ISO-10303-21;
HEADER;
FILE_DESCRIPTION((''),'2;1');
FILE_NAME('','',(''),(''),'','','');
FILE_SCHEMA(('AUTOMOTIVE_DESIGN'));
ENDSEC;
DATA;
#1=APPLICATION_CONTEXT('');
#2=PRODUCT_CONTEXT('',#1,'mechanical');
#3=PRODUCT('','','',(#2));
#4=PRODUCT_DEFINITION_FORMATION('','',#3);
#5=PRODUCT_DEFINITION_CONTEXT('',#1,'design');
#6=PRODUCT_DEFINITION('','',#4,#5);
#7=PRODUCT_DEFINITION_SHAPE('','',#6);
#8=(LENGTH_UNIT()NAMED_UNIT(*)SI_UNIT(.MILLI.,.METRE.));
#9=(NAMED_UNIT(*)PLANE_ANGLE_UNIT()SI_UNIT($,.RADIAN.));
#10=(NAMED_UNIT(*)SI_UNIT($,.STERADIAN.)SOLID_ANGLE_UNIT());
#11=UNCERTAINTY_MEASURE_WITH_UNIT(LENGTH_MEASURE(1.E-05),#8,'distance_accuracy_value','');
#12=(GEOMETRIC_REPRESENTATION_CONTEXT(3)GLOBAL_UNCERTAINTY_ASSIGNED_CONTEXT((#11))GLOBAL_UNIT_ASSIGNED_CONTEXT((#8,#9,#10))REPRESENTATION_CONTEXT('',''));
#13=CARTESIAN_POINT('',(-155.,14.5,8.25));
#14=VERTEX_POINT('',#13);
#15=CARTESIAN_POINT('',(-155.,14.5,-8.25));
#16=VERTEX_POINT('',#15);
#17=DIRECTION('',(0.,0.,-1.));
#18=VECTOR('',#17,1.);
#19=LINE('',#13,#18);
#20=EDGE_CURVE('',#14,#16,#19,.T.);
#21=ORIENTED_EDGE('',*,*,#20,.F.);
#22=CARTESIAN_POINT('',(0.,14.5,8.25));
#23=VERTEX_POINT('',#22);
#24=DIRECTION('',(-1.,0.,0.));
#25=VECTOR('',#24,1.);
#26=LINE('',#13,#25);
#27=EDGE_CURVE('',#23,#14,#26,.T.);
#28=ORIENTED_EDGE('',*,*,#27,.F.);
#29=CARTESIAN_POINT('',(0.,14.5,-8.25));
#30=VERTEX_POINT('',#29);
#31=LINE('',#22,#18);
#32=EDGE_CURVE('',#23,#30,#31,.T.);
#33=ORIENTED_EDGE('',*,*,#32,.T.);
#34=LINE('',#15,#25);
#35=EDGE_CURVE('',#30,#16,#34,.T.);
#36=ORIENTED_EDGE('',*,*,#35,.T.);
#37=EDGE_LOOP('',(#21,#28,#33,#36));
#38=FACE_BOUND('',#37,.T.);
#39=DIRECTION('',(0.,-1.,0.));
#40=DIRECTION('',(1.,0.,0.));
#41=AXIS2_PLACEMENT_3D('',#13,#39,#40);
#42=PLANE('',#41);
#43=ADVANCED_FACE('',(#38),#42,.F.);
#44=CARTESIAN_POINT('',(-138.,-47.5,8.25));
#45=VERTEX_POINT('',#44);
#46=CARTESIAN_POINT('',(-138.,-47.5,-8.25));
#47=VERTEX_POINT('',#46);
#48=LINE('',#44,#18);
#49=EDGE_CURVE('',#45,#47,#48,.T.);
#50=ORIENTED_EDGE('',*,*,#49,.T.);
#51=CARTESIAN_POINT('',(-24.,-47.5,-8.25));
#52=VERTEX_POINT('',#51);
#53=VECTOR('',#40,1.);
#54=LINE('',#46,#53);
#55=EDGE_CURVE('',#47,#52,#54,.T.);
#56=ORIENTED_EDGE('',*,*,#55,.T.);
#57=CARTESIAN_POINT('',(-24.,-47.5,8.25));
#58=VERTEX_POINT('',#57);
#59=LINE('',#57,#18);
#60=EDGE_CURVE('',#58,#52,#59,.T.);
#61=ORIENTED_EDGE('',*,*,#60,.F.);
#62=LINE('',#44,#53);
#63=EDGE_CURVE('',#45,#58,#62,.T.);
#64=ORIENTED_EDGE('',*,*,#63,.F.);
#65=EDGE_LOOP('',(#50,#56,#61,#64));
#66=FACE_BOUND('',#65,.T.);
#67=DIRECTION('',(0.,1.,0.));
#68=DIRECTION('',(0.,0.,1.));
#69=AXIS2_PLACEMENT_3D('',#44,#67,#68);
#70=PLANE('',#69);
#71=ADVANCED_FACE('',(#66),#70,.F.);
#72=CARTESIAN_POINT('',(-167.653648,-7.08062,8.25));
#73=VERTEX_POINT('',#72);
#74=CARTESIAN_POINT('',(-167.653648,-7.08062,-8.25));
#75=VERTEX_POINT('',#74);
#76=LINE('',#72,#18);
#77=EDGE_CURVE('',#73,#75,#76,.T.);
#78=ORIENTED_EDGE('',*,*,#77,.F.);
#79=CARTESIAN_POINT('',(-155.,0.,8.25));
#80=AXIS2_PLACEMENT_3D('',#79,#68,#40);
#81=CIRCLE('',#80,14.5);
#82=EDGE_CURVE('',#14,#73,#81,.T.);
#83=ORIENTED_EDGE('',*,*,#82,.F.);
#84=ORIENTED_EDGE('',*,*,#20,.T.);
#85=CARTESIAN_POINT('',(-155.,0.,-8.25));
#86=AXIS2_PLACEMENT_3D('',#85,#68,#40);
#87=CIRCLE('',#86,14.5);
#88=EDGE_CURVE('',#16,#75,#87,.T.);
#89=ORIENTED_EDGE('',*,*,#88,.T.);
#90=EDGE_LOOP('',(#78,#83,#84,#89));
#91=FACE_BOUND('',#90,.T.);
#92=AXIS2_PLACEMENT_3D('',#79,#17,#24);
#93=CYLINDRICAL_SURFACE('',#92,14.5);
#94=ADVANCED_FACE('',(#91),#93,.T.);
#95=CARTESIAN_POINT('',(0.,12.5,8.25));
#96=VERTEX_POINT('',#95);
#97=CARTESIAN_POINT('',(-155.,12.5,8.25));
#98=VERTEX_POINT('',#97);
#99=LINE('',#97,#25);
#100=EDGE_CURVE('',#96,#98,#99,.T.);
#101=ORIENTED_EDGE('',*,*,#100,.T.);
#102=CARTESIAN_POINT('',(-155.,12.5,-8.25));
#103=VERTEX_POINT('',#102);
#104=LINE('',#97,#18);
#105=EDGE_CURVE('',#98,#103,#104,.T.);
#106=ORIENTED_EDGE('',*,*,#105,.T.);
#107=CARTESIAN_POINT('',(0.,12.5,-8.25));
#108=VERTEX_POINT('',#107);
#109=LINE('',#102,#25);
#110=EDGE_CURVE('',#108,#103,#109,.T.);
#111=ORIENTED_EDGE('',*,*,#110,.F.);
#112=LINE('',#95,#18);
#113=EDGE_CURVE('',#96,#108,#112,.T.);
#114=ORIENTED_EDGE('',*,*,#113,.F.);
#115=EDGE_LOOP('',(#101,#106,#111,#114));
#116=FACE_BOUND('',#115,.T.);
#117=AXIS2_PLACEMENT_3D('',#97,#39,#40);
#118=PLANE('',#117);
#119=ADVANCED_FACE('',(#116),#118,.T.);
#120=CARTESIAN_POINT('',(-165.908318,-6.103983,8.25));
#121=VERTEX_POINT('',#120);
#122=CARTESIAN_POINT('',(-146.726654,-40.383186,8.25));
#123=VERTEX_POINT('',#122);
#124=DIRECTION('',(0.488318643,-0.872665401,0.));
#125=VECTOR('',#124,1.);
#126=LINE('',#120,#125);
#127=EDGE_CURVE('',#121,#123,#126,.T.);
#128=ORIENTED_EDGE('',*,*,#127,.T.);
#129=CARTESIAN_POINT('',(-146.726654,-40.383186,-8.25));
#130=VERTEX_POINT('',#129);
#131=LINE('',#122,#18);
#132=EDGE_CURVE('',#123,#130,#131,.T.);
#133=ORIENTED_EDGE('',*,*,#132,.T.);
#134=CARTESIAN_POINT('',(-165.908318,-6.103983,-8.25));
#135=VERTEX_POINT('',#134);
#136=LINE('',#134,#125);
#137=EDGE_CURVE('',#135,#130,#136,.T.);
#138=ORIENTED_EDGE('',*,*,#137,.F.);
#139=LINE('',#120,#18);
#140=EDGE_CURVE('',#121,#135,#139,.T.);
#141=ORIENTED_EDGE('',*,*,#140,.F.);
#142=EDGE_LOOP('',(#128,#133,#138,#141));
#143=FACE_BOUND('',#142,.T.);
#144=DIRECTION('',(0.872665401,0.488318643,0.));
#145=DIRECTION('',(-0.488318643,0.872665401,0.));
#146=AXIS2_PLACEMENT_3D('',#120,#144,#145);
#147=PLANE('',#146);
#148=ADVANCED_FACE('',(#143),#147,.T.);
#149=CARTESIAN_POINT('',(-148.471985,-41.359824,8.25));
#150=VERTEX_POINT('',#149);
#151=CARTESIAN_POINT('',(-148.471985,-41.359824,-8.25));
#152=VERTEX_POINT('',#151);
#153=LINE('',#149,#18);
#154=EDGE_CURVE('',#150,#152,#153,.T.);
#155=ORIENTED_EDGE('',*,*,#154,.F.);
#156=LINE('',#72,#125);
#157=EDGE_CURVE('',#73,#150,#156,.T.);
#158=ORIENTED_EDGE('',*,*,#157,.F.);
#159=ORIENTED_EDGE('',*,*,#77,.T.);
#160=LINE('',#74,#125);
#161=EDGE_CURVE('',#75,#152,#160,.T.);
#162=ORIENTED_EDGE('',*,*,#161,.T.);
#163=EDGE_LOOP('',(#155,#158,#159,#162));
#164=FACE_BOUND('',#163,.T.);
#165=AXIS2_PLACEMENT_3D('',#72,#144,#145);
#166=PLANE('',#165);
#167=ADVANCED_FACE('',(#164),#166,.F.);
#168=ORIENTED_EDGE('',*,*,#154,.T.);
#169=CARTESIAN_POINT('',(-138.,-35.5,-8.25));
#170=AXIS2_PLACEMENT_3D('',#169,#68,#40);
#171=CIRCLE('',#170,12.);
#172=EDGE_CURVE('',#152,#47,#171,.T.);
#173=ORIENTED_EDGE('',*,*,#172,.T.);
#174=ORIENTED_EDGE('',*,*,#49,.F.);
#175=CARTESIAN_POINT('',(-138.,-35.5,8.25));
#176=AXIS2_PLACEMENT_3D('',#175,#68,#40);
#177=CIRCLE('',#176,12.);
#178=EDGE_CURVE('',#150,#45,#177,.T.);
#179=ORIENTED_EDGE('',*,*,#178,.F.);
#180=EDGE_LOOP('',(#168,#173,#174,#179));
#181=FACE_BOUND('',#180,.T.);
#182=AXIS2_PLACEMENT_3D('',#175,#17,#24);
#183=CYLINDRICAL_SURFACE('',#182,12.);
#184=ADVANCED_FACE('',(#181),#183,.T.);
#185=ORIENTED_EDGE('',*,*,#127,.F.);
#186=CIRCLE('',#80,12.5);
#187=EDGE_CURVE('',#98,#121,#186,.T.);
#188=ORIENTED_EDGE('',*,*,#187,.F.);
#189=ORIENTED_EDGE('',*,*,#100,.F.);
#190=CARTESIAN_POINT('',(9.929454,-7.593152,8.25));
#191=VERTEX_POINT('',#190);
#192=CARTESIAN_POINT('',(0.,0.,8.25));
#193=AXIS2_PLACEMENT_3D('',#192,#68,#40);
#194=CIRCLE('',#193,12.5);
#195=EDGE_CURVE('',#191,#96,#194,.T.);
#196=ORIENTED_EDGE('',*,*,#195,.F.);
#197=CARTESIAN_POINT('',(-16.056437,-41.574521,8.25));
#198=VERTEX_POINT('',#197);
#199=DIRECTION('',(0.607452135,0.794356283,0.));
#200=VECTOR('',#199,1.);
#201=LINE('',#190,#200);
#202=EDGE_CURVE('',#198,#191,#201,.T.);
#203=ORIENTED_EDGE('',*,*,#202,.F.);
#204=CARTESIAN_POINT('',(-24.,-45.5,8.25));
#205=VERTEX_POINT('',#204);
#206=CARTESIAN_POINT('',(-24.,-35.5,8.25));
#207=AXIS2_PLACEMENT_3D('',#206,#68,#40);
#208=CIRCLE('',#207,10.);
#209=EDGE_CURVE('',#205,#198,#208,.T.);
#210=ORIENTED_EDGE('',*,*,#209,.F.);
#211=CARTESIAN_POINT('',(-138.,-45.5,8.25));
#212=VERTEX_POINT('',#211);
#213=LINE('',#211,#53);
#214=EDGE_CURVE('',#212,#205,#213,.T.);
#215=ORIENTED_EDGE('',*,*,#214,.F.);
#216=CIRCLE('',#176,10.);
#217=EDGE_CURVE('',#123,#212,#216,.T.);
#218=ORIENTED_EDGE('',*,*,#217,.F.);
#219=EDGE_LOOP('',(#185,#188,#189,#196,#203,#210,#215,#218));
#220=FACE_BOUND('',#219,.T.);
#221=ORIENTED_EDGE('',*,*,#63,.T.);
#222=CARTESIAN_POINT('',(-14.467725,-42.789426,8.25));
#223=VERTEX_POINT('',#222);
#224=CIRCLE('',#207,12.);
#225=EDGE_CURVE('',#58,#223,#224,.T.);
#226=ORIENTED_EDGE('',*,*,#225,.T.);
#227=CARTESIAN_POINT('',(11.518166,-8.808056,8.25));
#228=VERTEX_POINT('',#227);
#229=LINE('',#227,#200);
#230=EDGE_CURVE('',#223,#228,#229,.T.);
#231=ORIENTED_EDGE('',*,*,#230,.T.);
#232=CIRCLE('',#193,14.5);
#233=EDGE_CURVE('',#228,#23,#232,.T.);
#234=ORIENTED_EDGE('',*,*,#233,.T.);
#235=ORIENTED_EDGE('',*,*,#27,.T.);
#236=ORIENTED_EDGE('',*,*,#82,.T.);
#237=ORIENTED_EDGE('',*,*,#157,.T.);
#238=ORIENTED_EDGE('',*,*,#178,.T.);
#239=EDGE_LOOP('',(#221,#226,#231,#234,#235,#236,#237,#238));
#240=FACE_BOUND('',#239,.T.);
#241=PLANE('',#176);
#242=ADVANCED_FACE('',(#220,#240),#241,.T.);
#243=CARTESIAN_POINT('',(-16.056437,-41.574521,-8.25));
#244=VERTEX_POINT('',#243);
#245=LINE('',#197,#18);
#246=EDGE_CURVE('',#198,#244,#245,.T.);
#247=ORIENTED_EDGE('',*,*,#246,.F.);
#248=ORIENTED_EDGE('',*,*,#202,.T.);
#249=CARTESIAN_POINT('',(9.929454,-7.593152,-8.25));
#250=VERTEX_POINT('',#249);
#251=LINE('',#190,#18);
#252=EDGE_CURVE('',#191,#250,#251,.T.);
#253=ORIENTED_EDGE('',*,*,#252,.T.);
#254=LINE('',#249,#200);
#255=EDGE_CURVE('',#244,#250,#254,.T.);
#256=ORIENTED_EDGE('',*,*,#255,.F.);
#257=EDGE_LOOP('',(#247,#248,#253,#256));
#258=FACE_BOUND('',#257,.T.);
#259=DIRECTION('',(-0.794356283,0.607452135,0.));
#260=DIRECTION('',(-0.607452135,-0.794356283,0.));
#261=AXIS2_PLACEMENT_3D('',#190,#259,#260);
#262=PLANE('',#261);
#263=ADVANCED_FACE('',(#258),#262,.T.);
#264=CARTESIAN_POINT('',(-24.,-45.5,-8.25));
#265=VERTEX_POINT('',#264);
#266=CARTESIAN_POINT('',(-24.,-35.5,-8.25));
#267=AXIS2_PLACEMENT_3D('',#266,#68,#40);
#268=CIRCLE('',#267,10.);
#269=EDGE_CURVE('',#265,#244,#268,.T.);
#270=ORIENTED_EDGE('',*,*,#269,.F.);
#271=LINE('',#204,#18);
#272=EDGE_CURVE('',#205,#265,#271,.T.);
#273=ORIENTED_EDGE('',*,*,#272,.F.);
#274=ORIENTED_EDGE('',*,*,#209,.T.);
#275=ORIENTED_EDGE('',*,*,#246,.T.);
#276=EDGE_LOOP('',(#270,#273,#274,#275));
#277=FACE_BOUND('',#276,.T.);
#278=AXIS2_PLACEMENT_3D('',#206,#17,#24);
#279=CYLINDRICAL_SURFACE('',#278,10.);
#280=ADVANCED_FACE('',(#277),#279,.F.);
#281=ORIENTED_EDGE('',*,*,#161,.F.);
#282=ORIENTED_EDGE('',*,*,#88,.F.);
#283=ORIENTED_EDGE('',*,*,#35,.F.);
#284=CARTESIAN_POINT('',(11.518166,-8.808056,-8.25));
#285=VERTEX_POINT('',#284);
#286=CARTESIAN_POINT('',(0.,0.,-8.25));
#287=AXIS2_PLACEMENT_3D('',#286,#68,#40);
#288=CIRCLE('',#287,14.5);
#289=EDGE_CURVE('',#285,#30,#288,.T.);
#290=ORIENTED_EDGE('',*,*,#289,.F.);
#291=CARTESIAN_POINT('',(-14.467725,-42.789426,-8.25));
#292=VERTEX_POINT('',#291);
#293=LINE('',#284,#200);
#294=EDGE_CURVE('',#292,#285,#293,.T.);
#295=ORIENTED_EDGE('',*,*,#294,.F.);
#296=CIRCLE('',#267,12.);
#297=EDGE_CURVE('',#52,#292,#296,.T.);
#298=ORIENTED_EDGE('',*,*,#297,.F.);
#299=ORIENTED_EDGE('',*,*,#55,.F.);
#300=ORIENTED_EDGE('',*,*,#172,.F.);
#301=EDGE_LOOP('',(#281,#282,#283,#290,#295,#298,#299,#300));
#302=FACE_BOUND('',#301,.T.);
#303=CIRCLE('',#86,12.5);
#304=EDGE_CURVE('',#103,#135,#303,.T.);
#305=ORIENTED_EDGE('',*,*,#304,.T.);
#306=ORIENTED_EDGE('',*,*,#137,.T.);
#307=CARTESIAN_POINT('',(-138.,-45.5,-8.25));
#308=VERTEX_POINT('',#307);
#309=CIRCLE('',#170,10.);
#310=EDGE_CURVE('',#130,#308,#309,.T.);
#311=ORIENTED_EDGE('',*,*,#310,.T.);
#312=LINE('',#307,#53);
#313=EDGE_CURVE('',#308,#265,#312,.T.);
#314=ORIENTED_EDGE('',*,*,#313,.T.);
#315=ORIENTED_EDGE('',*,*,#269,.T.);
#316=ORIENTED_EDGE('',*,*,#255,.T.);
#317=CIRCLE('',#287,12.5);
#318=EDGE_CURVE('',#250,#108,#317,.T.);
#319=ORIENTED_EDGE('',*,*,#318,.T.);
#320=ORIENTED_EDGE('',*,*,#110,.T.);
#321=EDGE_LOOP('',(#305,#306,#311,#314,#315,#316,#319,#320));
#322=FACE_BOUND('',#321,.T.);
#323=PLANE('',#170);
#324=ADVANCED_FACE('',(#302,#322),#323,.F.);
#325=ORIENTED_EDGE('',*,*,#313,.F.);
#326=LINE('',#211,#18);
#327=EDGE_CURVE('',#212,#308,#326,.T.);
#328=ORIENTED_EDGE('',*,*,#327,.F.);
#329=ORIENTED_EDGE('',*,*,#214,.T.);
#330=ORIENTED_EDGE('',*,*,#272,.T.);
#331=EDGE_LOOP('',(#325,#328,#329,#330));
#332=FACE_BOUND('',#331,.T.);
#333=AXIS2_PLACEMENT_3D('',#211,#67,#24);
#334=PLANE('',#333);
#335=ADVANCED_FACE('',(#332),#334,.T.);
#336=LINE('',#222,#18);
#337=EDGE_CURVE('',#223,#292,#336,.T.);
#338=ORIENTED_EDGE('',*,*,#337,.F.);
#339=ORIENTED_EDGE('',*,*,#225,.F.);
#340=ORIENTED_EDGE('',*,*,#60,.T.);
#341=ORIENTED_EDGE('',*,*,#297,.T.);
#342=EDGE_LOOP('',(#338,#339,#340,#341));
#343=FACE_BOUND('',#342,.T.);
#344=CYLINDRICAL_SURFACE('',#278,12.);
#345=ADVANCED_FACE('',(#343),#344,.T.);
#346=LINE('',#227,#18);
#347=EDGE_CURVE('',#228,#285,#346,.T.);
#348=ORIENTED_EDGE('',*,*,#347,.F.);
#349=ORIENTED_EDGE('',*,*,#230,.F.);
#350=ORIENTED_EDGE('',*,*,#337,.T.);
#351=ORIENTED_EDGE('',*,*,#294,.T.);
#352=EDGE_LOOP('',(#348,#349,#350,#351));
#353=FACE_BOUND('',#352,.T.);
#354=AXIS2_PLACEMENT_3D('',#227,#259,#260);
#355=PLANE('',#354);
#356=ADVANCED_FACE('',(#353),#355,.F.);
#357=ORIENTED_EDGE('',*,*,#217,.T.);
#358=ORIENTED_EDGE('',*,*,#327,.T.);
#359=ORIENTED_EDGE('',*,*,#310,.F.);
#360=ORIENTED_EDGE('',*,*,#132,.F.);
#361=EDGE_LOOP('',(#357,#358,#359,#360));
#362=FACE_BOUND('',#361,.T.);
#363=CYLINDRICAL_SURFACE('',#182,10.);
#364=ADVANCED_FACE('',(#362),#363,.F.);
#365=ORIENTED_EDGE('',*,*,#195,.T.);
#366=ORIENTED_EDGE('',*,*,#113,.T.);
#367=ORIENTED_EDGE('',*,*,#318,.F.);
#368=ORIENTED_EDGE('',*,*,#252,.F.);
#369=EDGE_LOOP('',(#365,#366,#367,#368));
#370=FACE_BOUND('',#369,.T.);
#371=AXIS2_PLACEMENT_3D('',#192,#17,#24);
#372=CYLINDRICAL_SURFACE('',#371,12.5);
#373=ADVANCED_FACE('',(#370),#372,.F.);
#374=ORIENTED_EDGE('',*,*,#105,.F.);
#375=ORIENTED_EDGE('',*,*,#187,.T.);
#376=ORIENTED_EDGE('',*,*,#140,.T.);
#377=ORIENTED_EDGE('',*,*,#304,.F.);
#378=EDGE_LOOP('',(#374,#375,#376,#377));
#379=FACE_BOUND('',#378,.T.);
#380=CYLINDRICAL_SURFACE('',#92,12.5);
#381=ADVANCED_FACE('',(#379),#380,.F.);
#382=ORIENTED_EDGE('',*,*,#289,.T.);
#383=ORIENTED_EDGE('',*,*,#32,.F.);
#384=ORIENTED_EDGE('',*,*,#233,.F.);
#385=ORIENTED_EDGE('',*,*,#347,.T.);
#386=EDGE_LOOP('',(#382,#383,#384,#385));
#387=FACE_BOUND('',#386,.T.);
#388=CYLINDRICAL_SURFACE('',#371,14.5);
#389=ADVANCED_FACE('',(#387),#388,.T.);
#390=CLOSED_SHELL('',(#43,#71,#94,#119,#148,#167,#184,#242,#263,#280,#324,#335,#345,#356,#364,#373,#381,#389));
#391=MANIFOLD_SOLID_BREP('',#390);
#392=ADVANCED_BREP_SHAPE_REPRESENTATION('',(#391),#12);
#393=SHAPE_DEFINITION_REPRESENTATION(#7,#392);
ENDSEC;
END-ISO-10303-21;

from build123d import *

# Parameters (mm, degrees)
BOSS_EXTRUDE1_DEPTH = 8.25


with BuildPart() as part:
    # Sketch1 → Boss-Extrude1 (new, symmetric)
    with BuildSketch(Plane.XY):
        with BuildLine():
            Line((-138, -47.5), (-24, -47.5))
            ThreePointArc((-24, -47.5), (-18.683662323, -46.258092475), (-14.467724607, -42.789425618))
            Line((-14.467724607, -42.789425618), (11.5181661, -8.808055955))
            ThreePointArc((11.5181661, -8.808055955), (12.999361741, 6.423908026), (0, 14.5))
            Line((0, 14.5), (-155, 14.5))
            ThreePointArc((-155, 14.5), (-167.508377087, 7.334200888), (-167.653648321, -7.080620323))
            Line((-167.653648321, -7.080620323), (-148.471984818, -41.359823716))
            ThreePointArc((-148.471984818, -41.359823716), (-144.069683493, -45.851760348), (-138, -47.5))
        make_face()
        with BuildLine():
            Line((-155, 12.5), (0, 12.5))
            ThreePointArc((0, 12.5), (11.206346328, 5.537851747), (9.929453534, -7.593151685))
            Line((9.929453534, -7.593151685), (-16.056437173, -41.574521348))
            ThreePointArc((-16.056437173, -41.574521348), (-19.569718603, -44.465077063), (-24, -45.5))
            Line((-24, -45.5), (-138, -45.5))
            ThreePointArc((-138, -45.5), (-143.058069578, -44.126466956), (-146.726654015, -40.38318643))
            Line((-146.726654015, -40.38318643), (-165.908317518, -6.103983037))
            ThreePointArc((-165.908317518, -6.103983037), (-165.783083695, 6.322586972), (-155, 12.5))
        make_face(mode=Mode.SUBTRACT)
    extrude(amount=BOSS_EXTRUDE1_DEPTH, both=True)


solid = part.part
